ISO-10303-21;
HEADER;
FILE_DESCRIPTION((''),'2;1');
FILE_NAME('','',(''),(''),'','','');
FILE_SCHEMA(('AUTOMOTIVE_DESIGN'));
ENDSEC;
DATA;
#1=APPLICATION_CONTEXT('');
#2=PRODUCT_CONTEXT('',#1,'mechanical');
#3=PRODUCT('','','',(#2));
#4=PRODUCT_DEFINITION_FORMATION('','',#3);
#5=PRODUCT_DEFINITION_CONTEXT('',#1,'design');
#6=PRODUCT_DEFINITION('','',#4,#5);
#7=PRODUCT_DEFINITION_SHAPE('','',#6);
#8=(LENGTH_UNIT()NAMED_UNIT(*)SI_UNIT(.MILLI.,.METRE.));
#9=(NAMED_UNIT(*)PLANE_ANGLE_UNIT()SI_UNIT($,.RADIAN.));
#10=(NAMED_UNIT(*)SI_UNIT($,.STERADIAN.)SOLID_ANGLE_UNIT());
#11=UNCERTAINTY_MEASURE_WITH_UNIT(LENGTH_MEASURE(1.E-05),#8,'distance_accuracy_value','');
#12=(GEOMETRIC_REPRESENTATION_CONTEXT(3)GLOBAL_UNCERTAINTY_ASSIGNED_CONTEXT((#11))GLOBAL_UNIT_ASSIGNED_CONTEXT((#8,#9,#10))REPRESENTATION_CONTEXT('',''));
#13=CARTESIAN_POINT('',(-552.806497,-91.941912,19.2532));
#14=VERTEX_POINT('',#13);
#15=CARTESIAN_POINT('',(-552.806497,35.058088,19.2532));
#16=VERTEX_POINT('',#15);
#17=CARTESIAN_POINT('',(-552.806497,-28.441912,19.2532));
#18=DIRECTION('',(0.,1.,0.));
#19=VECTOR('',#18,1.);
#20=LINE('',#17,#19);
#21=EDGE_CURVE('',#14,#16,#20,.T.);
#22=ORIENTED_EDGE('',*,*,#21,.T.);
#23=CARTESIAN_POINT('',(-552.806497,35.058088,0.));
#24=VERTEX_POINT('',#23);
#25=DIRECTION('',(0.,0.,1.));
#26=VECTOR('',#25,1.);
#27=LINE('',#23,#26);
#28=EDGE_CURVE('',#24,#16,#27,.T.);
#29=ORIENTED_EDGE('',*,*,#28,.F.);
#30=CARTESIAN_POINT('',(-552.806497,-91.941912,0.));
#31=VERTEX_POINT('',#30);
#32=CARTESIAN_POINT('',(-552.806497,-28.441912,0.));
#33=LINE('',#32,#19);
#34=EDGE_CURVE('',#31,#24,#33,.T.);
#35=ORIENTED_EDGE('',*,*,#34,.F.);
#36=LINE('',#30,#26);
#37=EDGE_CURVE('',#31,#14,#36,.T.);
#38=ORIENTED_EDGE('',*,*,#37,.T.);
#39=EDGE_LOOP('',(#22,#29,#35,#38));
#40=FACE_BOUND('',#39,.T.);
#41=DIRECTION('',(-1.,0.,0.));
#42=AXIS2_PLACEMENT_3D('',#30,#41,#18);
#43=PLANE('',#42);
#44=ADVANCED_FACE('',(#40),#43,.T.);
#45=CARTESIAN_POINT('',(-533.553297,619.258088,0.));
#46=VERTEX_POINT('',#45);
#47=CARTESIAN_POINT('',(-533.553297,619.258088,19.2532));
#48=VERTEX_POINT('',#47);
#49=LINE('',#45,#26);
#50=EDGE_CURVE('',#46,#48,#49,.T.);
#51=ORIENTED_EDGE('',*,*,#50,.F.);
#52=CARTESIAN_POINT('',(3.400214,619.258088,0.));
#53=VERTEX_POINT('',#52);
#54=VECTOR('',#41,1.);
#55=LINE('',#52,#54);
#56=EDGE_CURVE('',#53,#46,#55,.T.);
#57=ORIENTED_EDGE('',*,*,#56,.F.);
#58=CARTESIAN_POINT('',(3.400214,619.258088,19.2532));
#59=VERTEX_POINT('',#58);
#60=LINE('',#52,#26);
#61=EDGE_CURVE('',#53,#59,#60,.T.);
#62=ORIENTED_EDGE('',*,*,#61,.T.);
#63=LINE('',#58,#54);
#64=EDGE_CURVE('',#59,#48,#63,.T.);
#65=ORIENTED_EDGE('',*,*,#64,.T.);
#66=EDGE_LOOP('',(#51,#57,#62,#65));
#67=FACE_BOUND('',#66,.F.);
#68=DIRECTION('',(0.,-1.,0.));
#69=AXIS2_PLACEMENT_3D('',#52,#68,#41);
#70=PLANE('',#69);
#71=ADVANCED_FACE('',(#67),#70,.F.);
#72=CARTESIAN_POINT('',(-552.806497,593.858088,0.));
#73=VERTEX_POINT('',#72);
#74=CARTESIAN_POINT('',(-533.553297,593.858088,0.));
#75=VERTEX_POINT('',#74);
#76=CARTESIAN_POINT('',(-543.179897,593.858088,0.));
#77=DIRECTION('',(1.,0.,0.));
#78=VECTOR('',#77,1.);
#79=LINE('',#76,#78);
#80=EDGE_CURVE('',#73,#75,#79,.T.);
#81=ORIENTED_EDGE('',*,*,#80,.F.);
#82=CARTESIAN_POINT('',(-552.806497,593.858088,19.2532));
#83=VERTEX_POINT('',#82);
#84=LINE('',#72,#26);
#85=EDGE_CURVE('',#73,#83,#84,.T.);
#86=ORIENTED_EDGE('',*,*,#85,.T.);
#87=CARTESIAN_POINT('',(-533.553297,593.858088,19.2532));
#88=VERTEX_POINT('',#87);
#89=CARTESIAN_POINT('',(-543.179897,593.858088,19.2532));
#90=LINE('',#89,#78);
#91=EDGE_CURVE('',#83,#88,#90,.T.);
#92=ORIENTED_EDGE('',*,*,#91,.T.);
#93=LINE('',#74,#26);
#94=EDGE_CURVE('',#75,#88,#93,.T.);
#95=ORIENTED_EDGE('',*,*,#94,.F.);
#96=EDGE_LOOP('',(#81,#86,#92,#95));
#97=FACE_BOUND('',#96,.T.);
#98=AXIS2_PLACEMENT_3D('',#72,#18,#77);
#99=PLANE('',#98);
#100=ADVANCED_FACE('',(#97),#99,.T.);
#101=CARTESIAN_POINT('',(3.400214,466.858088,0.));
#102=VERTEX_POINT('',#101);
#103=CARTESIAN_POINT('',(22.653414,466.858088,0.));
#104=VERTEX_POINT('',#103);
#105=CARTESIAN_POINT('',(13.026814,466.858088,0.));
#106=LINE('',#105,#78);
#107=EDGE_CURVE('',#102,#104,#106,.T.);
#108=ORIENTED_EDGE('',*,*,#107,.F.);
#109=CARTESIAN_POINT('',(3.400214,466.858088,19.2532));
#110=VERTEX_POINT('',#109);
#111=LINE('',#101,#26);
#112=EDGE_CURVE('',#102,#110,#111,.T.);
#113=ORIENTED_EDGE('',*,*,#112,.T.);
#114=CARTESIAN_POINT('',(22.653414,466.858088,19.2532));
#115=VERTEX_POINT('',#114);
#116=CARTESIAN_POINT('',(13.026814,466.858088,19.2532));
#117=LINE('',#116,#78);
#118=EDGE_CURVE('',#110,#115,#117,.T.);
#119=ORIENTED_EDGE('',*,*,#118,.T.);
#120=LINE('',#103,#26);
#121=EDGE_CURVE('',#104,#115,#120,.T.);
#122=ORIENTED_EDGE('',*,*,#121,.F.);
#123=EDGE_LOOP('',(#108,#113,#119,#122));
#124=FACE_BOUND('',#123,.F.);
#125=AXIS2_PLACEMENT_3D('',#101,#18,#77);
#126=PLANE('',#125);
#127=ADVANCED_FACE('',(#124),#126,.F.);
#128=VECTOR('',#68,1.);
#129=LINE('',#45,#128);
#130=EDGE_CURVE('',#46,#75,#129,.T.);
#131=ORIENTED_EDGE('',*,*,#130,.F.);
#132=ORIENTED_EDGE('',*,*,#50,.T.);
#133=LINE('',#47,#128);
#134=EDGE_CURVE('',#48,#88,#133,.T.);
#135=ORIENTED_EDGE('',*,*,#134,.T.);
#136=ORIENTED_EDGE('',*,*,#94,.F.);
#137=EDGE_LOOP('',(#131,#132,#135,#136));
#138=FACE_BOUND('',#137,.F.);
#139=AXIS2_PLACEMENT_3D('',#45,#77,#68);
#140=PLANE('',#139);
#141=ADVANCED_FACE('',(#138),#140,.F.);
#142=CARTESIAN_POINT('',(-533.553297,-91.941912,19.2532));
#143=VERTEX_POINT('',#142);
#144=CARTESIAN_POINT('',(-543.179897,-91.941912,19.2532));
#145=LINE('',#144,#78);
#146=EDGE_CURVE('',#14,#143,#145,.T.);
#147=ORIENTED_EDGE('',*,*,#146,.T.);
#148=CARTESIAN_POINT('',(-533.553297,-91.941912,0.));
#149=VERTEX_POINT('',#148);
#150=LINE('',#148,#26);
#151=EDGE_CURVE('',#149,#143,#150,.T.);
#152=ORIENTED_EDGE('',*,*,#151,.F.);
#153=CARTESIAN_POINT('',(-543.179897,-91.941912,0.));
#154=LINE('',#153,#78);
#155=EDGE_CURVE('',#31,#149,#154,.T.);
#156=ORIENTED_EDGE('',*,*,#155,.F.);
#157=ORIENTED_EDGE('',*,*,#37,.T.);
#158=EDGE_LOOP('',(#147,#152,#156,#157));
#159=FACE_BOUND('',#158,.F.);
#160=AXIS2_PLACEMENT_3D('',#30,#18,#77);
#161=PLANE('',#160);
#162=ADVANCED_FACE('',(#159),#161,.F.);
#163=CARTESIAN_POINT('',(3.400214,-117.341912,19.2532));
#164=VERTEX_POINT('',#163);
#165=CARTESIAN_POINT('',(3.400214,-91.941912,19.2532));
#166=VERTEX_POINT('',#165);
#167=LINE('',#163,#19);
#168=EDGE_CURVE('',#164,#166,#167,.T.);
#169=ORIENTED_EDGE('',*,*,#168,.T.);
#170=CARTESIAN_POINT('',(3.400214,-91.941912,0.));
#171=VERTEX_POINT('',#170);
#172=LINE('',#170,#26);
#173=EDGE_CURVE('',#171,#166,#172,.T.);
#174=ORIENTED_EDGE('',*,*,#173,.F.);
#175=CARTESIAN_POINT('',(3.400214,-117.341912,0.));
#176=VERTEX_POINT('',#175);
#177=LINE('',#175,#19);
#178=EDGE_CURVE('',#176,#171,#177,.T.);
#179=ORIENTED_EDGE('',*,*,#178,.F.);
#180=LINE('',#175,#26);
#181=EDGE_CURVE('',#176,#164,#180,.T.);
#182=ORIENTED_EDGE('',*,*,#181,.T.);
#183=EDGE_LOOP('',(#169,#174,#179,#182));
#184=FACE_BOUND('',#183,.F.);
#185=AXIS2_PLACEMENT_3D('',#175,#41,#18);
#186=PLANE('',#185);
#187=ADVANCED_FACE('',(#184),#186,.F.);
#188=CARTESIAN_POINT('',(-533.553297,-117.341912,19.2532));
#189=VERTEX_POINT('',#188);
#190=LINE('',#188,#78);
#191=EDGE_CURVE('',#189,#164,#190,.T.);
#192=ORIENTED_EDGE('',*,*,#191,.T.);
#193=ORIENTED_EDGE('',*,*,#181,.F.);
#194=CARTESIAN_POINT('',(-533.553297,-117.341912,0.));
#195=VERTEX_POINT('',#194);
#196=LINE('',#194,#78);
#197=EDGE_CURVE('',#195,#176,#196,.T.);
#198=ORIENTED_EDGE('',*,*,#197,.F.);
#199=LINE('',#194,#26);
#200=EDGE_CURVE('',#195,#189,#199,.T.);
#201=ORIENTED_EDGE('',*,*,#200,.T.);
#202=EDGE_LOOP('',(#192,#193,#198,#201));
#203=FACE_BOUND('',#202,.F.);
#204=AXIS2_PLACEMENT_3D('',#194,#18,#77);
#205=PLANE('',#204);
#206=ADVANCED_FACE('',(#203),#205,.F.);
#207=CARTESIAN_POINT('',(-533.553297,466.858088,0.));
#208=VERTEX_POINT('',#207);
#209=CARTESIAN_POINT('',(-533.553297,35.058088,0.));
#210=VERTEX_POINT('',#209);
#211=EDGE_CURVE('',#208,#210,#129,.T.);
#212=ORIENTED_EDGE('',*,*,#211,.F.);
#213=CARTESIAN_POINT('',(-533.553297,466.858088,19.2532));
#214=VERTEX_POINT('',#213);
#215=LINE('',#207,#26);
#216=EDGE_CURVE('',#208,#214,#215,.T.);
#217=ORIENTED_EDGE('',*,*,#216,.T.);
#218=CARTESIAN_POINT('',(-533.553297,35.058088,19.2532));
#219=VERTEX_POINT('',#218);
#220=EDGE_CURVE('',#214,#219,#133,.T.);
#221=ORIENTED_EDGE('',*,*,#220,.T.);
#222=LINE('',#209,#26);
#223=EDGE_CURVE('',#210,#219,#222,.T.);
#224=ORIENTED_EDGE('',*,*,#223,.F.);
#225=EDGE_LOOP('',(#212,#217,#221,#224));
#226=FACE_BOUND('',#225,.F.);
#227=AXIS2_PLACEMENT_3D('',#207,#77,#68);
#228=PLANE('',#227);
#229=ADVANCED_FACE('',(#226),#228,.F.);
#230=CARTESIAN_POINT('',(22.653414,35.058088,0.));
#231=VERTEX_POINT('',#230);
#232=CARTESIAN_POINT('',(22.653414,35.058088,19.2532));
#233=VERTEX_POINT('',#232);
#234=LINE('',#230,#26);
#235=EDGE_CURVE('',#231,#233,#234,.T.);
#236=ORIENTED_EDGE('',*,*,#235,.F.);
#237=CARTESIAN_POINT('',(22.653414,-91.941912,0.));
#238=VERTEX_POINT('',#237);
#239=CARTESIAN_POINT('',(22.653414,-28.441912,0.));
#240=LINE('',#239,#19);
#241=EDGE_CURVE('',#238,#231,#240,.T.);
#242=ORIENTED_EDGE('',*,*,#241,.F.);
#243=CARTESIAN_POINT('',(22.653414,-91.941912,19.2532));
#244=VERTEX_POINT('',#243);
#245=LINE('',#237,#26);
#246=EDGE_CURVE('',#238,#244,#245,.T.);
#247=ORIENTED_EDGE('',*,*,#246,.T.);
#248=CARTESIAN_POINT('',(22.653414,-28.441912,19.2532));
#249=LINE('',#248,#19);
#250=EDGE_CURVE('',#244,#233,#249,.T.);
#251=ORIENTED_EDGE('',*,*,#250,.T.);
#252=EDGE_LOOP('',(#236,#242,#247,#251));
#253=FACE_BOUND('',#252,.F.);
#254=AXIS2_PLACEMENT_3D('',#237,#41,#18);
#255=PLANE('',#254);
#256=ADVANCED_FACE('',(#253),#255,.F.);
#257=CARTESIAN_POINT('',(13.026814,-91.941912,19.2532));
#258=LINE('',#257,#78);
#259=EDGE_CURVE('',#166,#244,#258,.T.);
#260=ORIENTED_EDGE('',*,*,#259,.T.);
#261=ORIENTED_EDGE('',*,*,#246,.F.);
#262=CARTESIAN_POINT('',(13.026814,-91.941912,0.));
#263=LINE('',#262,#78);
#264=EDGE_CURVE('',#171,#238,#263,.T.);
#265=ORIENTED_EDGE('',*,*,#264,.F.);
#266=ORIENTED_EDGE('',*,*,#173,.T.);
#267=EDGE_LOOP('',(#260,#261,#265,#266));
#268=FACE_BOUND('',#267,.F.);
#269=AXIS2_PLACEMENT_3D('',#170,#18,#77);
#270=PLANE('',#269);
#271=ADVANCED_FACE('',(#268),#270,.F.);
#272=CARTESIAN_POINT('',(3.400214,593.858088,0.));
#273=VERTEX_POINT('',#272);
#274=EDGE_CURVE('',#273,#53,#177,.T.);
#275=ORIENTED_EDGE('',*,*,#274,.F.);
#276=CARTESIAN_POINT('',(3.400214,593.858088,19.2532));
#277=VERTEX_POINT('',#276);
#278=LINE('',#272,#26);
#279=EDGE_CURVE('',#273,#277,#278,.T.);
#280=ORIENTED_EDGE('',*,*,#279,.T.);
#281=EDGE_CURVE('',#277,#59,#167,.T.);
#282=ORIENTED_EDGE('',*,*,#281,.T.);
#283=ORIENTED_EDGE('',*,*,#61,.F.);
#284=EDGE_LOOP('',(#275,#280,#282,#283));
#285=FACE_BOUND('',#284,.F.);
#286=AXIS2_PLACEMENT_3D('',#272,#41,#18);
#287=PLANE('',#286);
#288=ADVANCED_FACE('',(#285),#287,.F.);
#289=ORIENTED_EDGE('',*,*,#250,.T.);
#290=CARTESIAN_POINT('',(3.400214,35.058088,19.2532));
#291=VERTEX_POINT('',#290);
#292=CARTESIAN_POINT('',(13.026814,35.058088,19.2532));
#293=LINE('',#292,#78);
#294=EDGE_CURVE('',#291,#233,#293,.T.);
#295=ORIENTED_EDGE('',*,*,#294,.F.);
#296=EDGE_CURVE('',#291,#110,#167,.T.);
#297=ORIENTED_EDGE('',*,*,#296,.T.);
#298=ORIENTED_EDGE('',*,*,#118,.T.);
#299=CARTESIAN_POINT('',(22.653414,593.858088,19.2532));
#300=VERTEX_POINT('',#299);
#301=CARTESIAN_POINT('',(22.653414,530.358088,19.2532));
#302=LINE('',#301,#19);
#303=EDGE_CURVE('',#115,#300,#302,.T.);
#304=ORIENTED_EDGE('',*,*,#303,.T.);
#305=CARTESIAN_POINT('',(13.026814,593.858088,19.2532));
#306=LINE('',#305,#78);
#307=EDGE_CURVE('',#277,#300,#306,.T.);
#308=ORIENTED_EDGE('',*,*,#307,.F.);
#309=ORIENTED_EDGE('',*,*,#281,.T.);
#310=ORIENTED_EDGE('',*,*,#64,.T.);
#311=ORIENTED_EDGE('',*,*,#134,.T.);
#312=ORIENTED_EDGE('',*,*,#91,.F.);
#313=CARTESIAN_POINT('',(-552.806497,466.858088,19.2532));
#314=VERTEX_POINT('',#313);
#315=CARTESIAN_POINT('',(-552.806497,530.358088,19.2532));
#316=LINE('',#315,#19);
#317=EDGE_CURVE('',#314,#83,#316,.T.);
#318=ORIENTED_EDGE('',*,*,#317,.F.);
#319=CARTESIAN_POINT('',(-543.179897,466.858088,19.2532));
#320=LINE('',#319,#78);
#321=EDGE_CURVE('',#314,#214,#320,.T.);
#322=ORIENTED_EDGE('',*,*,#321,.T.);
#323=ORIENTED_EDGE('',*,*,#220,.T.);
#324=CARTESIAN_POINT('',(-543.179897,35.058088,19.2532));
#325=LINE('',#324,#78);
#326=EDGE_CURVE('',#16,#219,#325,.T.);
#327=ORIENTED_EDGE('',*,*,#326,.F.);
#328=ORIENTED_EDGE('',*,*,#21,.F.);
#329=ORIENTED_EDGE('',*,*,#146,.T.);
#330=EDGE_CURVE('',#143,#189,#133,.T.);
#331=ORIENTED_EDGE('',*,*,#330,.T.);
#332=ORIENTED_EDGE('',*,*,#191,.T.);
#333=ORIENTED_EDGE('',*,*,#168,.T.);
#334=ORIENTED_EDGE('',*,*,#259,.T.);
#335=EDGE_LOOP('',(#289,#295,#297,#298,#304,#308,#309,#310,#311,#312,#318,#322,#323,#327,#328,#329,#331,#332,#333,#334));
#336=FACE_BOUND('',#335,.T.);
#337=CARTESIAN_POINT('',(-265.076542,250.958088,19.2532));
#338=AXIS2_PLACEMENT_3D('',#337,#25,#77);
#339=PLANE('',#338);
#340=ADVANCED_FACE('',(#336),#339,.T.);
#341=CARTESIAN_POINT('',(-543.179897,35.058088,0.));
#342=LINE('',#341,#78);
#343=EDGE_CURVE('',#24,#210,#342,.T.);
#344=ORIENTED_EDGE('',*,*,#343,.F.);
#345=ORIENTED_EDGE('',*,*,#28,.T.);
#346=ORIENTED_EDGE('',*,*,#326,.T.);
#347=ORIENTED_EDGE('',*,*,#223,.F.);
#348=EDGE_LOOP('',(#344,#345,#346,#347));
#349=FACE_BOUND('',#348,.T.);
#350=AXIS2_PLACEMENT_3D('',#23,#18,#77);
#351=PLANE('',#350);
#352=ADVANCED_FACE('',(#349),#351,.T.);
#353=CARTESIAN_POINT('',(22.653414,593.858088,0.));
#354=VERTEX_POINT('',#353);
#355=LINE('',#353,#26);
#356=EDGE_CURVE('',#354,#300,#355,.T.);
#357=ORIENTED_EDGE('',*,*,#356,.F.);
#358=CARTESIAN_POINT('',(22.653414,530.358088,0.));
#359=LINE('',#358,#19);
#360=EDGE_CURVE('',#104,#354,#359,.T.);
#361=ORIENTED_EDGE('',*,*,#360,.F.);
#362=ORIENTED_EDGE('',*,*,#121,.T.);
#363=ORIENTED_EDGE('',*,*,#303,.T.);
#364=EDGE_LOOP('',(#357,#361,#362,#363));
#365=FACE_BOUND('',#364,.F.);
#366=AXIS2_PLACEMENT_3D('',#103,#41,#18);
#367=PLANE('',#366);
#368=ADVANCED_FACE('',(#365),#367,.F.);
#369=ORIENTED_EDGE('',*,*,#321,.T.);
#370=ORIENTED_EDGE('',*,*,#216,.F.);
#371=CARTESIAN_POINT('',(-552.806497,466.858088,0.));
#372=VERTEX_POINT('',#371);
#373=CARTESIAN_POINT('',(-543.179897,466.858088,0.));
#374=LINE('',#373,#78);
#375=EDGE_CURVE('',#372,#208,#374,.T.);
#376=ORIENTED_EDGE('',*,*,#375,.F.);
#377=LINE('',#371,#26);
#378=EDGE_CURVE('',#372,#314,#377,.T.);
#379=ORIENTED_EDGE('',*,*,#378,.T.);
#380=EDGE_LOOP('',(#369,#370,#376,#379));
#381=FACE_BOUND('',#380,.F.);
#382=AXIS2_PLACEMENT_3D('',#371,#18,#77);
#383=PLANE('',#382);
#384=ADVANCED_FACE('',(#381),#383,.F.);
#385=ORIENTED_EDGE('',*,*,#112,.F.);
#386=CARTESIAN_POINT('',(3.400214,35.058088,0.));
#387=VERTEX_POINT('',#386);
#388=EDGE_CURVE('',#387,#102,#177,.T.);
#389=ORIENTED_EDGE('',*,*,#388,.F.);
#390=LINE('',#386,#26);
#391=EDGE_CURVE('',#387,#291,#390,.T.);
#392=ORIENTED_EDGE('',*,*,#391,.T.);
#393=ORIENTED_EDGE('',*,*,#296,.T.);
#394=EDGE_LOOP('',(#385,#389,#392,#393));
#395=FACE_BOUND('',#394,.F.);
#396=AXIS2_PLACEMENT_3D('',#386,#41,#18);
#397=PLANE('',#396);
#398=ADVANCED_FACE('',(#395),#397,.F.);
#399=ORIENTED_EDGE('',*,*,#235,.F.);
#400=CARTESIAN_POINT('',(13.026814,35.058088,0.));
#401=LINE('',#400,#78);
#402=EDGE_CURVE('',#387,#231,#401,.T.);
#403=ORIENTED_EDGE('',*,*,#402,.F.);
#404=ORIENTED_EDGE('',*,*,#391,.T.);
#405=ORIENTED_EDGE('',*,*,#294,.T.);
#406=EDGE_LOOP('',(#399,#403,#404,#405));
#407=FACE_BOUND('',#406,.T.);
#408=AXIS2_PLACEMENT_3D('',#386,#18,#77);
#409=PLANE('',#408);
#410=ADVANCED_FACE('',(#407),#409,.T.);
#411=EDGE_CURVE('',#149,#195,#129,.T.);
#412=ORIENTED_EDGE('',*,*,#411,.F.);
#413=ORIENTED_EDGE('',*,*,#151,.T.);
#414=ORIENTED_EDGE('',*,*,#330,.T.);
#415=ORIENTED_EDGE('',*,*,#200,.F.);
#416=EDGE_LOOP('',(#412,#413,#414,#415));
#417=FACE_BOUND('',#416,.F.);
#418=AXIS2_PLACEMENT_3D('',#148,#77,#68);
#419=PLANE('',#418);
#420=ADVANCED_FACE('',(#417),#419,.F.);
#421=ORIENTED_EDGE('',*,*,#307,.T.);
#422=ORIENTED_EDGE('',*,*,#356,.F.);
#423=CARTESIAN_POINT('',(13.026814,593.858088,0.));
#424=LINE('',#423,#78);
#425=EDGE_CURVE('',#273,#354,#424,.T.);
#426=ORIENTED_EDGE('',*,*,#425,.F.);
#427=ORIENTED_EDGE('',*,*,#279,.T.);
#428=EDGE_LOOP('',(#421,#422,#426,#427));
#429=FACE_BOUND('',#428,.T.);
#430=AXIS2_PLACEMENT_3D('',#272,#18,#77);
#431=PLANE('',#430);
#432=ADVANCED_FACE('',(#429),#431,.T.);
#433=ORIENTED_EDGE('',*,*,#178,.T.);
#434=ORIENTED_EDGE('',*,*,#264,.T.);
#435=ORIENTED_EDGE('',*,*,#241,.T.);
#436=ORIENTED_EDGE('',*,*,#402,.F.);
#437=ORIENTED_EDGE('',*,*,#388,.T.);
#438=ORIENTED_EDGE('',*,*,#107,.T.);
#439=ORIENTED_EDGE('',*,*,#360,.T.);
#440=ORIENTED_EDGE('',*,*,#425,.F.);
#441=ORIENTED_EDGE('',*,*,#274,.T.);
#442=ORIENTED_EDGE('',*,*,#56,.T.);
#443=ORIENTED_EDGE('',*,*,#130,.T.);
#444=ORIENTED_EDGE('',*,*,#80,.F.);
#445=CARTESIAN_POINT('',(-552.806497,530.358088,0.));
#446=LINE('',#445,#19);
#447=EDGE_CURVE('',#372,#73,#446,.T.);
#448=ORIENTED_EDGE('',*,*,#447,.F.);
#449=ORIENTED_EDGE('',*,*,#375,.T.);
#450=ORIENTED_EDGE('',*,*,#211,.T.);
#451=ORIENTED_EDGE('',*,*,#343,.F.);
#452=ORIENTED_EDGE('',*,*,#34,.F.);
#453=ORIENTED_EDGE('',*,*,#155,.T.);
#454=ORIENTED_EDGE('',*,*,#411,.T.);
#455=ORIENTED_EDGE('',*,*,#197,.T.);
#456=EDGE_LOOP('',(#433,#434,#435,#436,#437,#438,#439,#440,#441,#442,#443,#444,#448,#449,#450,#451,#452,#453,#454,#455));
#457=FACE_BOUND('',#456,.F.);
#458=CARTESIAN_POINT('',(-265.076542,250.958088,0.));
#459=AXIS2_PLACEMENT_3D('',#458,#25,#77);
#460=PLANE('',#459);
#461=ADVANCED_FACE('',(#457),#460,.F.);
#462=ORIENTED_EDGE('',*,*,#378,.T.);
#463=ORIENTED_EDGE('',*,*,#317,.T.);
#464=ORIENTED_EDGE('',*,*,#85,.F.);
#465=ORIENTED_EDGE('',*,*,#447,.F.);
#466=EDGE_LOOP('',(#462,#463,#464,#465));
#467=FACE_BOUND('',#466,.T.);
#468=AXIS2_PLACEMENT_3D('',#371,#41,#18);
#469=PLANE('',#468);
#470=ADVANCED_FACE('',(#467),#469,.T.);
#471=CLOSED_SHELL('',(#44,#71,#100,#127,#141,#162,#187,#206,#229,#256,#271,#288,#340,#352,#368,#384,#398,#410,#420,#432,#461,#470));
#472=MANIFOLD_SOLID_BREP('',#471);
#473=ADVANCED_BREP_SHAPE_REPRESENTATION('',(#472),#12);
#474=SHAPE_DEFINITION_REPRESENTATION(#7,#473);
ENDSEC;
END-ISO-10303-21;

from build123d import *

# Parameters (mm, degrees)
F0_W     = 19.2532
F0_H     = 127
F1_DEPTH = 19.2532


with BuildPart() as f1:
    # F0 (on Top) → F1 (new body)
    with BuildSketch(Plane.XY):
        Polygon((3.400214, 619.258088), (-533.553297, 619.258088), (-533.553297, 593.858088), (-533.553297, 466.858088), (-533.553297, 35.058088), (-533.553297, -91.941912), (-533.553297, -117.341912), (3.400214, -117.341912), (3.400214, -91.941912), (3.400214, 35.058088), (3.400214, 466.858088), (3.400214, 593.858088), align=None)
        with Locations((-543.179897, 530.358088)):
            Rectangle(F0_W, F0_H)
        with Locations((13.026814, 530.358088)):
            Rectangle(F0_W, F0_H)
        with Locations((-543.179897, -28.441912)):
            Rectangle(F0_W, F0_H)
        with Locations((13.026814, -28.441912)):
            Rectangle(F0_W, F0_H)
    extrude(amount=F1_DEPTH)


solid = f1.part
